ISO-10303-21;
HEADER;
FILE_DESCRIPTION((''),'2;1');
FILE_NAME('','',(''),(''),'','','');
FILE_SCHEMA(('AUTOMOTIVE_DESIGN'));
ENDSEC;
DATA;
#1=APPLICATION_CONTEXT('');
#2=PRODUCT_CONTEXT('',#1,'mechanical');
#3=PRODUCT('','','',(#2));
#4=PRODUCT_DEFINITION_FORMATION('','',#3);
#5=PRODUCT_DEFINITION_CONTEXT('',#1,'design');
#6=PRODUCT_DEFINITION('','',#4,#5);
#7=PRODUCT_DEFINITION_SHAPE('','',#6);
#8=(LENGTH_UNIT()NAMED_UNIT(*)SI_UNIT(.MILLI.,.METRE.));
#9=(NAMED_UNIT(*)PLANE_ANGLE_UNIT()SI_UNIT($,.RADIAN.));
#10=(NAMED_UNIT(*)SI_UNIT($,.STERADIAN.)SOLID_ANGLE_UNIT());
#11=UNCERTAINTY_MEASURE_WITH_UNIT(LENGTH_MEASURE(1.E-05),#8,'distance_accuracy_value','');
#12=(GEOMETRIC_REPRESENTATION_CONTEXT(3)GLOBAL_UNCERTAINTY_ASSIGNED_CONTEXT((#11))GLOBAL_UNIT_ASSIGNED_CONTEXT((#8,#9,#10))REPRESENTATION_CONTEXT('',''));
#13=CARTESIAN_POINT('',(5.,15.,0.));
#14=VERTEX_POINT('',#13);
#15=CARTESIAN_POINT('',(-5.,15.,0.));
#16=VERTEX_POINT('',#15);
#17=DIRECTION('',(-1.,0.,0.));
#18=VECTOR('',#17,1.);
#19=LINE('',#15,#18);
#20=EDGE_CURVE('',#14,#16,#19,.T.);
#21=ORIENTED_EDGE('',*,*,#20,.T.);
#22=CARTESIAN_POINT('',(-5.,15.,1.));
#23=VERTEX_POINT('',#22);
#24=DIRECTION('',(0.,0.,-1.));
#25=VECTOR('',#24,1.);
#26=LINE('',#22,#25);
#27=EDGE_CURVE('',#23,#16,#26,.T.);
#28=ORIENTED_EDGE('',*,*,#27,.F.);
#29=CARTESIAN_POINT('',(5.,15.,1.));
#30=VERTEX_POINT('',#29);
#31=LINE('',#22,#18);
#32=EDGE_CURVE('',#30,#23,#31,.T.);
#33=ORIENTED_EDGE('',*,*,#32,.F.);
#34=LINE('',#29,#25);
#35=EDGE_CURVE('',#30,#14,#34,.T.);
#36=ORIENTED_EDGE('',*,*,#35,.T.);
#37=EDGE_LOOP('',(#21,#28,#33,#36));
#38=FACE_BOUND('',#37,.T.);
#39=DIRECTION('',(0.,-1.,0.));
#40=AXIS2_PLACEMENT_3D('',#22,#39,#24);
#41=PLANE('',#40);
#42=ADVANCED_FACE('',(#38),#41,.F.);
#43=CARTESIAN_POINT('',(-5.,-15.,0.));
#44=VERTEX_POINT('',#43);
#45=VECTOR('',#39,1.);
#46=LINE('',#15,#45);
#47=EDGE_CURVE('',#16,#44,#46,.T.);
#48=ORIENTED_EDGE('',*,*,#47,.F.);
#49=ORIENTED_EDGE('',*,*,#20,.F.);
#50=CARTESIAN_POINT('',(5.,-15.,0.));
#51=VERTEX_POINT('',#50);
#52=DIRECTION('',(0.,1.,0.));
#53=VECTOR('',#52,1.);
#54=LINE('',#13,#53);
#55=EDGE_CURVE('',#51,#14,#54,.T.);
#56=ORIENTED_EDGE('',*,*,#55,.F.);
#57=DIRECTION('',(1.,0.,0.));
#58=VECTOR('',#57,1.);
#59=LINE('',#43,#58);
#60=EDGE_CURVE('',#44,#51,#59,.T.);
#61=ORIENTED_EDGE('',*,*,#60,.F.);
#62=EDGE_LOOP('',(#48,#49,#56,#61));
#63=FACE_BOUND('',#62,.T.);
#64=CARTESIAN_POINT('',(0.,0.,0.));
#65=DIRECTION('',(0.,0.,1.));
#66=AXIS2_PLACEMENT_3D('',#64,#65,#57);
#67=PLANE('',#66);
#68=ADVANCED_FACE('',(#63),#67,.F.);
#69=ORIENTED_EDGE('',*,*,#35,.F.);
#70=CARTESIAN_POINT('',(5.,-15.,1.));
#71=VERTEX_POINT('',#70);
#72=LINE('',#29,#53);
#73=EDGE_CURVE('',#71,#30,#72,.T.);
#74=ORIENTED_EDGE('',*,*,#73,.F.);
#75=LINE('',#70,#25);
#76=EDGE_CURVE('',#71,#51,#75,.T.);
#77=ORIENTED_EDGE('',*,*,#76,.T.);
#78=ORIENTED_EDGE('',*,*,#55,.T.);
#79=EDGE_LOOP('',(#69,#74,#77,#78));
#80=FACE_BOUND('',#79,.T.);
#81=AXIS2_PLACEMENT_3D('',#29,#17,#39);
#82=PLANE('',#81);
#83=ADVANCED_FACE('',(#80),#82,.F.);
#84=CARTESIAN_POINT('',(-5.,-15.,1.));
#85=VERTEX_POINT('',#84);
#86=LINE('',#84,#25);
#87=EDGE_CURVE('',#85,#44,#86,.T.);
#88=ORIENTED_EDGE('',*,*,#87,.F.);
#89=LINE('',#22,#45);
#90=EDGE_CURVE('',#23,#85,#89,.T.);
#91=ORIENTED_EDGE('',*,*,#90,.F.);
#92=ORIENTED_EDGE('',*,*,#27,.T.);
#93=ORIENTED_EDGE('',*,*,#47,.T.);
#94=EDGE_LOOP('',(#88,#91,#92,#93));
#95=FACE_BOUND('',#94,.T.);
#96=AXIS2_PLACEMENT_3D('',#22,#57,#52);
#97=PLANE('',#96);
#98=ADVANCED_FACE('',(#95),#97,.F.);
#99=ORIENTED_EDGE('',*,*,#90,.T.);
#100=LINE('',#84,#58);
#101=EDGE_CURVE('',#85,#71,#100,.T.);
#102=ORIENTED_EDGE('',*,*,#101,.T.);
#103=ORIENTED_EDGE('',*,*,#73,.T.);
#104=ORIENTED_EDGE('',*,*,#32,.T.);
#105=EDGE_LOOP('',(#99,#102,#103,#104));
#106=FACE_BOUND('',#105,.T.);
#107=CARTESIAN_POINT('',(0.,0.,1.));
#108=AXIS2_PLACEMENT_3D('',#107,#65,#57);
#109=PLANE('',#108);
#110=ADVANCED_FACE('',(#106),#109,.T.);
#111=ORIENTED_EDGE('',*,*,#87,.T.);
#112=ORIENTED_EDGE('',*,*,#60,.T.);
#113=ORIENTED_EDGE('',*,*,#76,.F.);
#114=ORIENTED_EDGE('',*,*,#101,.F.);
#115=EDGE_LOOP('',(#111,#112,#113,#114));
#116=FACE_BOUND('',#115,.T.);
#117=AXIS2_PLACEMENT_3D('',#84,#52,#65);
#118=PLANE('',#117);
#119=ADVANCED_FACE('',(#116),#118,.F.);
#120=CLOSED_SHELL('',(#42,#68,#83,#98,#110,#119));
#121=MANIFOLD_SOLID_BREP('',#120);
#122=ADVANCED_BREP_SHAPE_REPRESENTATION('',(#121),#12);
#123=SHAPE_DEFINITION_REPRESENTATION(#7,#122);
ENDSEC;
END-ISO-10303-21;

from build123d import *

# Parameters (mm, degrees)
SCHIZZO1_W                   = 10
SCHIZZO1_H                   = 30
ESTRUSIONE_ESTRUSIONE1_DEPTH = 1


with BuildPart() as part:
    # Schizzo1 → Estrusione-Estrusione1 (new body)
    with BuildSketch(Plane.XY):
        Rectangle(SCHIZZO1_W, SCHIZZO1_H)
    extrude(amount=ESTRUSIONE_ESTRUSIONE1_DEPTH)


solid = part.part
